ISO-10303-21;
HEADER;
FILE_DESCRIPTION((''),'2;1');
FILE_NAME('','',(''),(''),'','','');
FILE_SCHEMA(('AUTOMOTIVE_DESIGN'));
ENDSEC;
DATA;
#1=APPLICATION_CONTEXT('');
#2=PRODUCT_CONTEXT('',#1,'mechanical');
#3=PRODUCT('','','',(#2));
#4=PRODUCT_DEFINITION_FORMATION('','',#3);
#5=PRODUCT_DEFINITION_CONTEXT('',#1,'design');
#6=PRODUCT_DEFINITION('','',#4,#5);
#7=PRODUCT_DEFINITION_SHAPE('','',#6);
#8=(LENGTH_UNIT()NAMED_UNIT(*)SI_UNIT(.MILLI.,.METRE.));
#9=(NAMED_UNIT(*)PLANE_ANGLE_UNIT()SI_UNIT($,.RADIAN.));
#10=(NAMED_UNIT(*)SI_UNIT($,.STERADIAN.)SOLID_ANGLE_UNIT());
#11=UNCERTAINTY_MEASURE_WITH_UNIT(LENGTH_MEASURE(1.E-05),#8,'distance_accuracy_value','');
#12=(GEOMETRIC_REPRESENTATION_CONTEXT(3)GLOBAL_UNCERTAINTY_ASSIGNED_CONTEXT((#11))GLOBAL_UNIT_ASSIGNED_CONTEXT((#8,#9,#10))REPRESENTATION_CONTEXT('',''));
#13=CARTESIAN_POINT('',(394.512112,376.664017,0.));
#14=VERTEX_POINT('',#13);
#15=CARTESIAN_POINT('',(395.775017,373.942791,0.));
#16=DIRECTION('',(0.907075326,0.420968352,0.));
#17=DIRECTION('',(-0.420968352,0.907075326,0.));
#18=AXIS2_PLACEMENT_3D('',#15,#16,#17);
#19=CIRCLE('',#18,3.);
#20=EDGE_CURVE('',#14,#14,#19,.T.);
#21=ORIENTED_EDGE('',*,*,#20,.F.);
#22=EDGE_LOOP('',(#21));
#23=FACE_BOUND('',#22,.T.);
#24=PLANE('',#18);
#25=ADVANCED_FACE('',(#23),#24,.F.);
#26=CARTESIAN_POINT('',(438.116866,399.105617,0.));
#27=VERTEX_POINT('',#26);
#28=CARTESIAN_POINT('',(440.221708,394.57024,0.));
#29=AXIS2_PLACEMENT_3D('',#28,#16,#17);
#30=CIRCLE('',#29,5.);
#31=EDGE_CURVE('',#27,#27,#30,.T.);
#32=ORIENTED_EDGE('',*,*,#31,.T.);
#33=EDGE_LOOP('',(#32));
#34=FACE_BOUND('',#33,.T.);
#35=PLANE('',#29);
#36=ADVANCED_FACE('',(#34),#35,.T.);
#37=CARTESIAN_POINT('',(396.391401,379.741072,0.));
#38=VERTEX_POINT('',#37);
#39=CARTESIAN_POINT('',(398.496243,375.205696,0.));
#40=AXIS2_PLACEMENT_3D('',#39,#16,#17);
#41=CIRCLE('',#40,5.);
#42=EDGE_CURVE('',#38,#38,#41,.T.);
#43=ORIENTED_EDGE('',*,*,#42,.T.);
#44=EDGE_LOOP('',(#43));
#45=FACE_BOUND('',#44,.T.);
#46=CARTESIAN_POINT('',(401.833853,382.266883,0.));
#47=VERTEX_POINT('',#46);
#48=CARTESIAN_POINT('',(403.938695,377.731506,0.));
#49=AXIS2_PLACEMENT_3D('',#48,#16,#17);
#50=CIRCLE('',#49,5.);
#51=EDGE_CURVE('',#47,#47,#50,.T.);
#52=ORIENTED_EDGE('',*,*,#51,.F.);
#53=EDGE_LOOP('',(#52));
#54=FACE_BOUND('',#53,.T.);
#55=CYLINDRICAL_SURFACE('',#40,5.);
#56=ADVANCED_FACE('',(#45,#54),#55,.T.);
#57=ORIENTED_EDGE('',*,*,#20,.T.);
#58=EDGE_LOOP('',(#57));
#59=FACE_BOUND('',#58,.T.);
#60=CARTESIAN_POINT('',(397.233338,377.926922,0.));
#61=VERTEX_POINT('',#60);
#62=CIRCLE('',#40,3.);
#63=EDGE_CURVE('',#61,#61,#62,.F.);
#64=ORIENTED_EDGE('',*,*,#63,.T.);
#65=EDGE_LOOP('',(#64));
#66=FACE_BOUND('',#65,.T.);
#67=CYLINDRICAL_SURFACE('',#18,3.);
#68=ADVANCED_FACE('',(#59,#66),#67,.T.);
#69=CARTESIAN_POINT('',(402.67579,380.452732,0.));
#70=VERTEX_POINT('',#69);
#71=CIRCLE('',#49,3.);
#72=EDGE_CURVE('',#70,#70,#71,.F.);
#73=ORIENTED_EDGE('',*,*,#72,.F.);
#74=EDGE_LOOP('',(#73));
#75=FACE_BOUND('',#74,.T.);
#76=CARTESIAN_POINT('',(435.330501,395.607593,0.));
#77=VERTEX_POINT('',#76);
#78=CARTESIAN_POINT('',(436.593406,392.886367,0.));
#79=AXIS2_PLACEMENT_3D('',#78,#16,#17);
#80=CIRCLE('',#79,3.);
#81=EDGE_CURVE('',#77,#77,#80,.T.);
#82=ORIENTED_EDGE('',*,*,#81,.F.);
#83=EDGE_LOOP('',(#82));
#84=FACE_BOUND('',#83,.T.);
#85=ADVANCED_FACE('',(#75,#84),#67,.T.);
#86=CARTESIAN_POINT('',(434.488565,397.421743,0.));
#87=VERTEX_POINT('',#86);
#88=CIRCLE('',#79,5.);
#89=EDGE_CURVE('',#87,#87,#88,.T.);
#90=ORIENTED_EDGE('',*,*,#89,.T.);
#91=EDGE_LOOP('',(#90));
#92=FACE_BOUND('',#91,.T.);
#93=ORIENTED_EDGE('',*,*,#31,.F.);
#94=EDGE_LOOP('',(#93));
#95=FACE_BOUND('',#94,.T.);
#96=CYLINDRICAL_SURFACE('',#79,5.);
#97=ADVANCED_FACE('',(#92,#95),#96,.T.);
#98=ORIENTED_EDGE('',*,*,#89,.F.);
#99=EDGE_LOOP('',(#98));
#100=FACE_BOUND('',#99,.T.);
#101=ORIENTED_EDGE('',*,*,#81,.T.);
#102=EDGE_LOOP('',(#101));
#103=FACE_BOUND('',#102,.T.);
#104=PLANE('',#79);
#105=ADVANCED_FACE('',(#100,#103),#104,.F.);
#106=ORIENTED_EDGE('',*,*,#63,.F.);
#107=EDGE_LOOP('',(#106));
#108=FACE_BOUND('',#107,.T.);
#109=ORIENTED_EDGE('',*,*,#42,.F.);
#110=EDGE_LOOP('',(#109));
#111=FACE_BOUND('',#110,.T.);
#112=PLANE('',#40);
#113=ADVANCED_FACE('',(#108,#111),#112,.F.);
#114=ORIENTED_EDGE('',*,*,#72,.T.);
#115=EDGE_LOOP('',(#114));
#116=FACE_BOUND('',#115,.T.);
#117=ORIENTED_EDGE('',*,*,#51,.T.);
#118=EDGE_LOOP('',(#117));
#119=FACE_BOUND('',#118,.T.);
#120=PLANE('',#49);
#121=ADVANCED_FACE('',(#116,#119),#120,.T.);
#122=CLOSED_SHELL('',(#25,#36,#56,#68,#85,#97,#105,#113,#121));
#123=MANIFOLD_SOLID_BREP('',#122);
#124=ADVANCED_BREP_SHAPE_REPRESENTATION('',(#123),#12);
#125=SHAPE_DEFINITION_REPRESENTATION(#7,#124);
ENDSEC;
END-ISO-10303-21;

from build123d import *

# Parameters (mm, degrees)
CABEZA_PROFILE_R  = 5
VASTAGO_PROFILE_R = 3
TUERCA_PROFILE_R  = 5


with BuildPart() as part:
    # Cabeza: sweep along a curve in space
    with BuildLine() as cabeza_path:
        Line((436.593406425, 392.886366663, 0), (440.221707727, 394.570240073, 0))
    # Cabeza profile (on start of the path) → Cabeza (sweep)
    with BuildSketch(Plane(origin=(436.593406425, 392.886366663, 0), x_dir=(-0.42096835247797454, 0.907075325544676, 0), z_dir=(0.907075325544676, 0.42096835247797454, 0))):
        Circle(CABEZA_PROFILE_R)
    sweep(path=cabeza_path.line)

    # Vastago: sweep along a curve in space
    with BuildLine() as vastago_path:
        Line((395.775016775, 373.942790801, 0), (436.593406425, 392.886366663, 0))
    # Vastago profile (on start of the path) → Vastago (sweep)
    with BuildSketch(Plane(origin=(395.775016775, 373.942790801, 0), x_dir=(-0.4209683524779668, 0.9070753255446795, 0), z_dir=(0.9070753255446795, 0.4209683524779668, 0))):
        Circle(VASTAGO_PROFILE_R)
    sweep(path=vastago_path.line)

    # Tuerca: sweep along a curve in space
    with BuildLine() as tuerca_path:
        Line((398.496242752, 375.205695859, 0), (403.938694705, 377.731505974, 0))
    # Tuerca profile (on start of the path) → Tuerca (sweep)
    with BuildSketch(Plane(origin=(398.496242752, 375.205695859, 0), x_dir=(-0.420968352477967, 0.9070753255446794, 0), z_dir=(0.9070753255446794, 0.420968352477967, 0))):
        Circle(TUERCA_PROFILE_R)
    sweep(path=tuerca_path.line)


solid = part.part
